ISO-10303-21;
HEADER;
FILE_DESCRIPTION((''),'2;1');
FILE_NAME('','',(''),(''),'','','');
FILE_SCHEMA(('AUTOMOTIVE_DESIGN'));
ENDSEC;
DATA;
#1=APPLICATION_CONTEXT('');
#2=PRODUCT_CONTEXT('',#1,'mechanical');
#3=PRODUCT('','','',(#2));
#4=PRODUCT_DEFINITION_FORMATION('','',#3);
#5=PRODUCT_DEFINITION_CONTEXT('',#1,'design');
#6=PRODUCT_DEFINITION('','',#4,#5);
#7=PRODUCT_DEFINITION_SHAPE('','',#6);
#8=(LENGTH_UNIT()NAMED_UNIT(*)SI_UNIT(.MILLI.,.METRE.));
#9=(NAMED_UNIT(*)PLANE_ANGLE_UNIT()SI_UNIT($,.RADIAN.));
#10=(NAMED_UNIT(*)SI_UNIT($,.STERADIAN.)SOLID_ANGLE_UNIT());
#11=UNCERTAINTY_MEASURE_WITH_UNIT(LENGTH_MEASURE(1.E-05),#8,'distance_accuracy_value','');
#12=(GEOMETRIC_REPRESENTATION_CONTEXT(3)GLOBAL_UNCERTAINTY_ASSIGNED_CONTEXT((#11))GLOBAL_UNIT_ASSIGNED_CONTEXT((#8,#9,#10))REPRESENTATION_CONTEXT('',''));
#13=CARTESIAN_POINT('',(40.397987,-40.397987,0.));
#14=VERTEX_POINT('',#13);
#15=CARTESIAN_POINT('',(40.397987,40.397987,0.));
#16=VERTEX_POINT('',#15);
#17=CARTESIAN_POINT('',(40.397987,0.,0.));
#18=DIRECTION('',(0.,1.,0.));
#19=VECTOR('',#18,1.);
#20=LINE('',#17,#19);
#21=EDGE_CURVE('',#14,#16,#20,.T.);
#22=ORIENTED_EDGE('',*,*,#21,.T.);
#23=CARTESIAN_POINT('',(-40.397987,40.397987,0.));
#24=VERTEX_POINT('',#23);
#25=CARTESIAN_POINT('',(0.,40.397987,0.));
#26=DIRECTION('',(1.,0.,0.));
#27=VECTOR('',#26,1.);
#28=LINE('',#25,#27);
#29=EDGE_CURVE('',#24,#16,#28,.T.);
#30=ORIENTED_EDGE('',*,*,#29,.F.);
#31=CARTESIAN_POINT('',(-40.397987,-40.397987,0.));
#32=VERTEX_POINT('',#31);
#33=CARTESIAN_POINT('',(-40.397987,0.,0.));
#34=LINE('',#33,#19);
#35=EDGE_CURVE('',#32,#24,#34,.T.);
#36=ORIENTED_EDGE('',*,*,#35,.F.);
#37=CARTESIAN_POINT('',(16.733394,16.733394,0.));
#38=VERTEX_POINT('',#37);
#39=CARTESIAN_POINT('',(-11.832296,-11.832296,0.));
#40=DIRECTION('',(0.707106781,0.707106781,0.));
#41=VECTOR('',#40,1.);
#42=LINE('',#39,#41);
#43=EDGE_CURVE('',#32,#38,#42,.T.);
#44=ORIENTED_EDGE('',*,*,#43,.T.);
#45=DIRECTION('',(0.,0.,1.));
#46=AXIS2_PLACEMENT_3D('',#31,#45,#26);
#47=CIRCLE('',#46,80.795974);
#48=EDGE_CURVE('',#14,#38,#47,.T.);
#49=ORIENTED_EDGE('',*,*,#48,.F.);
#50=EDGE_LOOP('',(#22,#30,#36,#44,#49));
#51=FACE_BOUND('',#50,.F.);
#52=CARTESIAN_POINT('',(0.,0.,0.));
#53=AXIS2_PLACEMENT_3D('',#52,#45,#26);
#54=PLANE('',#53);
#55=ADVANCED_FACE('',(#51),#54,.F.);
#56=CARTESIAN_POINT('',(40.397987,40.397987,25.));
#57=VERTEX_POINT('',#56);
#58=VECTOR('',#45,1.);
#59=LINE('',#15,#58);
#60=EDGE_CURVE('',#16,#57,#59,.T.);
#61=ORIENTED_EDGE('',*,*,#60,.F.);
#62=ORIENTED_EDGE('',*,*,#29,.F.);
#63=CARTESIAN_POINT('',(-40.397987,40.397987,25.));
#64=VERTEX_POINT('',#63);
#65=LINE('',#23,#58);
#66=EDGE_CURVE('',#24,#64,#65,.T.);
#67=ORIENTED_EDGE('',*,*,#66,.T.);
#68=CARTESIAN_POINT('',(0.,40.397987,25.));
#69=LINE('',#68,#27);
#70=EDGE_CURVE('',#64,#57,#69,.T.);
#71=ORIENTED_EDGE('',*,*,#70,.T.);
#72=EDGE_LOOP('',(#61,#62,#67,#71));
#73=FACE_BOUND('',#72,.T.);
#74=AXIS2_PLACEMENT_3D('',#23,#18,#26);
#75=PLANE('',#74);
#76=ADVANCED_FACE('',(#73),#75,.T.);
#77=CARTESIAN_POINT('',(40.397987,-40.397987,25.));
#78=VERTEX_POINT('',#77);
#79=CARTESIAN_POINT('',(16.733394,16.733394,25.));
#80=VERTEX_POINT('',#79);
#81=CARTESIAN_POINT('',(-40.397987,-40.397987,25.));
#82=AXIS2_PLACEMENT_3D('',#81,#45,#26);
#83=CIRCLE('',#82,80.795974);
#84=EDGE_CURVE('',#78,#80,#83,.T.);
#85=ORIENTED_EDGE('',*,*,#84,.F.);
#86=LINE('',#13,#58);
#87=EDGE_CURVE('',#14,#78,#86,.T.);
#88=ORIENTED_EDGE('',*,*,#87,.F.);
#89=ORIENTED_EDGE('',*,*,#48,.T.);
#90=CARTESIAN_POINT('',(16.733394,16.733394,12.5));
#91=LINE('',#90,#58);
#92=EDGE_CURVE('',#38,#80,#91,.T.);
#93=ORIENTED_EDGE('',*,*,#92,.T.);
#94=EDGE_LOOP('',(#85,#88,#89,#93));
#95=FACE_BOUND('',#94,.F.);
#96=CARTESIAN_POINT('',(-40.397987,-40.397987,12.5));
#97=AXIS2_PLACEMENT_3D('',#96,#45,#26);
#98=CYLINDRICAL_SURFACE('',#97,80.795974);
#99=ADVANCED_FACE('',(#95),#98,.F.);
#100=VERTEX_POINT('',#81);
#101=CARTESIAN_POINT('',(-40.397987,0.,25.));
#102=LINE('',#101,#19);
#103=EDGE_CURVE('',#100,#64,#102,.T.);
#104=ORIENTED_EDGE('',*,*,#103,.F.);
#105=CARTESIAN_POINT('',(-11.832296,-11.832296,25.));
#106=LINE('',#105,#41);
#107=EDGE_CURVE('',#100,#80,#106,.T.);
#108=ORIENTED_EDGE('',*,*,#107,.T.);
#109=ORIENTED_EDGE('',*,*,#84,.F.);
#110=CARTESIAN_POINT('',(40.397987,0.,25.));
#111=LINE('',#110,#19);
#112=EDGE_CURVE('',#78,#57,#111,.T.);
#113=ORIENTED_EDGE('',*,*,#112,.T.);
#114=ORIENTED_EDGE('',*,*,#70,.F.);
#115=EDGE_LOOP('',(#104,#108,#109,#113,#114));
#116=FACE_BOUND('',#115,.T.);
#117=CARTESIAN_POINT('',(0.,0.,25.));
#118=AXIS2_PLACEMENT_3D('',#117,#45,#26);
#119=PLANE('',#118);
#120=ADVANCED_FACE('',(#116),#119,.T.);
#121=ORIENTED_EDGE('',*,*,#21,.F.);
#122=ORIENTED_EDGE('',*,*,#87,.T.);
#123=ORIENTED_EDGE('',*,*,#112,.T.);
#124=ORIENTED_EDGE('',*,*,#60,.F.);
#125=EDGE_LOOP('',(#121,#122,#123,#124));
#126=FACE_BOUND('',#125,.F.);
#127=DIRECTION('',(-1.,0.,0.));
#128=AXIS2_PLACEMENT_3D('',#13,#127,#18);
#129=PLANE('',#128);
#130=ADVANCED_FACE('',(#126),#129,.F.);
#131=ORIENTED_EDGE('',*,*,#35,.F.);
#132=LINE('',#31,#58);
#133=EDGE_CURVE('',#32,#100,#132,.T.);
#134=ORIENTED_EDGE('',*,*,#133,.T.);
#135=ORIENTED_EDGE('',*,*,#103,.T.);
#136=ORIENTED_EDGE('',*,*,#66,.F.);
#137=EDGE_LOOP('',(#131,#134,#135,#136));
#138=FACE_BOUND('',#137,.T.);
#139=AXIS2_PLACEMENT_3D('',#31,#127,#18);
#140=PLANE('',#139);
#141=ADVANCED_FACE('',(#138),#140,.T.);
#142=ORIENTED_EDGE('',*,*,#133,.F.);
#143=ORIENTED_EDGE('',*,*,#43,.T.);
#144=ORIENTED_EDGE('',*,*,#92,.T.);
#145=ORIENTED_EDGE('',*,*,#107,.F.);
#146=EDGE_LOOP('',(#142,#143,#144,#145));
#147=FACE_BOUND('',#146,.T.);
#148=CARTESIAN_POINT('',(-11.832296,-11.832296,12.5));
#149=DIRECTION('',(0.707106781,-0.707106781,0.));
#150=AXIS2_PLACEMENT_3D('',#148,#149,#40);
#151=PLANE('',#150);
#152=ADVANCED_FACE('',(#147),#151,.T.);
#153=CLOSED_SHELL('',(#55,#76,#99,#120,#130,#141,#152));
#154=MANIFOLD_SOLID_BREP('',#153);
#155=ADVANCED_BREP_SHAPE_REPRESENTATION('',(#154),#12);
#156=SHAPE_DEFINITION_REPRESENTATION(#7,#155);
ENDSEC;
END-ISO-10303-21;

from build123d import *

# Parameters (mm, degrees)
F0_W      = 80.7959735394
F0_H      = 80.7959735394
F1_DEPTH  = 25
F1_FACE_W = 80.7959735394
F1_FACE_H = 25
F2_ANGLE  = 45


with BuildPart() as f1:
    # F0 (on Top) → F1 (new body)
    with BuildSketch(Plane.XY):
        Rectangle(F0_W, F0_H)
    extrude(amount=F1_DEPTH)

    # F1_face (on face) → F2 (revolve, cut)
    with BuildSketch(Plane(origin=(0, -40.3979867697, 12.5), x_dir=(1, 0, 0), z_dir=(0, -1, 0))):
        Rectangle(F1_FACE_W, F1_FACE_H)
    revolve(axis=Axis((-40.3979867697, -40.3979867697, 12.5), (0, 0, 1)), revolution_arc=F2_ANGLE, mode=Mode.SUBTRACT)


solid = f1.part
